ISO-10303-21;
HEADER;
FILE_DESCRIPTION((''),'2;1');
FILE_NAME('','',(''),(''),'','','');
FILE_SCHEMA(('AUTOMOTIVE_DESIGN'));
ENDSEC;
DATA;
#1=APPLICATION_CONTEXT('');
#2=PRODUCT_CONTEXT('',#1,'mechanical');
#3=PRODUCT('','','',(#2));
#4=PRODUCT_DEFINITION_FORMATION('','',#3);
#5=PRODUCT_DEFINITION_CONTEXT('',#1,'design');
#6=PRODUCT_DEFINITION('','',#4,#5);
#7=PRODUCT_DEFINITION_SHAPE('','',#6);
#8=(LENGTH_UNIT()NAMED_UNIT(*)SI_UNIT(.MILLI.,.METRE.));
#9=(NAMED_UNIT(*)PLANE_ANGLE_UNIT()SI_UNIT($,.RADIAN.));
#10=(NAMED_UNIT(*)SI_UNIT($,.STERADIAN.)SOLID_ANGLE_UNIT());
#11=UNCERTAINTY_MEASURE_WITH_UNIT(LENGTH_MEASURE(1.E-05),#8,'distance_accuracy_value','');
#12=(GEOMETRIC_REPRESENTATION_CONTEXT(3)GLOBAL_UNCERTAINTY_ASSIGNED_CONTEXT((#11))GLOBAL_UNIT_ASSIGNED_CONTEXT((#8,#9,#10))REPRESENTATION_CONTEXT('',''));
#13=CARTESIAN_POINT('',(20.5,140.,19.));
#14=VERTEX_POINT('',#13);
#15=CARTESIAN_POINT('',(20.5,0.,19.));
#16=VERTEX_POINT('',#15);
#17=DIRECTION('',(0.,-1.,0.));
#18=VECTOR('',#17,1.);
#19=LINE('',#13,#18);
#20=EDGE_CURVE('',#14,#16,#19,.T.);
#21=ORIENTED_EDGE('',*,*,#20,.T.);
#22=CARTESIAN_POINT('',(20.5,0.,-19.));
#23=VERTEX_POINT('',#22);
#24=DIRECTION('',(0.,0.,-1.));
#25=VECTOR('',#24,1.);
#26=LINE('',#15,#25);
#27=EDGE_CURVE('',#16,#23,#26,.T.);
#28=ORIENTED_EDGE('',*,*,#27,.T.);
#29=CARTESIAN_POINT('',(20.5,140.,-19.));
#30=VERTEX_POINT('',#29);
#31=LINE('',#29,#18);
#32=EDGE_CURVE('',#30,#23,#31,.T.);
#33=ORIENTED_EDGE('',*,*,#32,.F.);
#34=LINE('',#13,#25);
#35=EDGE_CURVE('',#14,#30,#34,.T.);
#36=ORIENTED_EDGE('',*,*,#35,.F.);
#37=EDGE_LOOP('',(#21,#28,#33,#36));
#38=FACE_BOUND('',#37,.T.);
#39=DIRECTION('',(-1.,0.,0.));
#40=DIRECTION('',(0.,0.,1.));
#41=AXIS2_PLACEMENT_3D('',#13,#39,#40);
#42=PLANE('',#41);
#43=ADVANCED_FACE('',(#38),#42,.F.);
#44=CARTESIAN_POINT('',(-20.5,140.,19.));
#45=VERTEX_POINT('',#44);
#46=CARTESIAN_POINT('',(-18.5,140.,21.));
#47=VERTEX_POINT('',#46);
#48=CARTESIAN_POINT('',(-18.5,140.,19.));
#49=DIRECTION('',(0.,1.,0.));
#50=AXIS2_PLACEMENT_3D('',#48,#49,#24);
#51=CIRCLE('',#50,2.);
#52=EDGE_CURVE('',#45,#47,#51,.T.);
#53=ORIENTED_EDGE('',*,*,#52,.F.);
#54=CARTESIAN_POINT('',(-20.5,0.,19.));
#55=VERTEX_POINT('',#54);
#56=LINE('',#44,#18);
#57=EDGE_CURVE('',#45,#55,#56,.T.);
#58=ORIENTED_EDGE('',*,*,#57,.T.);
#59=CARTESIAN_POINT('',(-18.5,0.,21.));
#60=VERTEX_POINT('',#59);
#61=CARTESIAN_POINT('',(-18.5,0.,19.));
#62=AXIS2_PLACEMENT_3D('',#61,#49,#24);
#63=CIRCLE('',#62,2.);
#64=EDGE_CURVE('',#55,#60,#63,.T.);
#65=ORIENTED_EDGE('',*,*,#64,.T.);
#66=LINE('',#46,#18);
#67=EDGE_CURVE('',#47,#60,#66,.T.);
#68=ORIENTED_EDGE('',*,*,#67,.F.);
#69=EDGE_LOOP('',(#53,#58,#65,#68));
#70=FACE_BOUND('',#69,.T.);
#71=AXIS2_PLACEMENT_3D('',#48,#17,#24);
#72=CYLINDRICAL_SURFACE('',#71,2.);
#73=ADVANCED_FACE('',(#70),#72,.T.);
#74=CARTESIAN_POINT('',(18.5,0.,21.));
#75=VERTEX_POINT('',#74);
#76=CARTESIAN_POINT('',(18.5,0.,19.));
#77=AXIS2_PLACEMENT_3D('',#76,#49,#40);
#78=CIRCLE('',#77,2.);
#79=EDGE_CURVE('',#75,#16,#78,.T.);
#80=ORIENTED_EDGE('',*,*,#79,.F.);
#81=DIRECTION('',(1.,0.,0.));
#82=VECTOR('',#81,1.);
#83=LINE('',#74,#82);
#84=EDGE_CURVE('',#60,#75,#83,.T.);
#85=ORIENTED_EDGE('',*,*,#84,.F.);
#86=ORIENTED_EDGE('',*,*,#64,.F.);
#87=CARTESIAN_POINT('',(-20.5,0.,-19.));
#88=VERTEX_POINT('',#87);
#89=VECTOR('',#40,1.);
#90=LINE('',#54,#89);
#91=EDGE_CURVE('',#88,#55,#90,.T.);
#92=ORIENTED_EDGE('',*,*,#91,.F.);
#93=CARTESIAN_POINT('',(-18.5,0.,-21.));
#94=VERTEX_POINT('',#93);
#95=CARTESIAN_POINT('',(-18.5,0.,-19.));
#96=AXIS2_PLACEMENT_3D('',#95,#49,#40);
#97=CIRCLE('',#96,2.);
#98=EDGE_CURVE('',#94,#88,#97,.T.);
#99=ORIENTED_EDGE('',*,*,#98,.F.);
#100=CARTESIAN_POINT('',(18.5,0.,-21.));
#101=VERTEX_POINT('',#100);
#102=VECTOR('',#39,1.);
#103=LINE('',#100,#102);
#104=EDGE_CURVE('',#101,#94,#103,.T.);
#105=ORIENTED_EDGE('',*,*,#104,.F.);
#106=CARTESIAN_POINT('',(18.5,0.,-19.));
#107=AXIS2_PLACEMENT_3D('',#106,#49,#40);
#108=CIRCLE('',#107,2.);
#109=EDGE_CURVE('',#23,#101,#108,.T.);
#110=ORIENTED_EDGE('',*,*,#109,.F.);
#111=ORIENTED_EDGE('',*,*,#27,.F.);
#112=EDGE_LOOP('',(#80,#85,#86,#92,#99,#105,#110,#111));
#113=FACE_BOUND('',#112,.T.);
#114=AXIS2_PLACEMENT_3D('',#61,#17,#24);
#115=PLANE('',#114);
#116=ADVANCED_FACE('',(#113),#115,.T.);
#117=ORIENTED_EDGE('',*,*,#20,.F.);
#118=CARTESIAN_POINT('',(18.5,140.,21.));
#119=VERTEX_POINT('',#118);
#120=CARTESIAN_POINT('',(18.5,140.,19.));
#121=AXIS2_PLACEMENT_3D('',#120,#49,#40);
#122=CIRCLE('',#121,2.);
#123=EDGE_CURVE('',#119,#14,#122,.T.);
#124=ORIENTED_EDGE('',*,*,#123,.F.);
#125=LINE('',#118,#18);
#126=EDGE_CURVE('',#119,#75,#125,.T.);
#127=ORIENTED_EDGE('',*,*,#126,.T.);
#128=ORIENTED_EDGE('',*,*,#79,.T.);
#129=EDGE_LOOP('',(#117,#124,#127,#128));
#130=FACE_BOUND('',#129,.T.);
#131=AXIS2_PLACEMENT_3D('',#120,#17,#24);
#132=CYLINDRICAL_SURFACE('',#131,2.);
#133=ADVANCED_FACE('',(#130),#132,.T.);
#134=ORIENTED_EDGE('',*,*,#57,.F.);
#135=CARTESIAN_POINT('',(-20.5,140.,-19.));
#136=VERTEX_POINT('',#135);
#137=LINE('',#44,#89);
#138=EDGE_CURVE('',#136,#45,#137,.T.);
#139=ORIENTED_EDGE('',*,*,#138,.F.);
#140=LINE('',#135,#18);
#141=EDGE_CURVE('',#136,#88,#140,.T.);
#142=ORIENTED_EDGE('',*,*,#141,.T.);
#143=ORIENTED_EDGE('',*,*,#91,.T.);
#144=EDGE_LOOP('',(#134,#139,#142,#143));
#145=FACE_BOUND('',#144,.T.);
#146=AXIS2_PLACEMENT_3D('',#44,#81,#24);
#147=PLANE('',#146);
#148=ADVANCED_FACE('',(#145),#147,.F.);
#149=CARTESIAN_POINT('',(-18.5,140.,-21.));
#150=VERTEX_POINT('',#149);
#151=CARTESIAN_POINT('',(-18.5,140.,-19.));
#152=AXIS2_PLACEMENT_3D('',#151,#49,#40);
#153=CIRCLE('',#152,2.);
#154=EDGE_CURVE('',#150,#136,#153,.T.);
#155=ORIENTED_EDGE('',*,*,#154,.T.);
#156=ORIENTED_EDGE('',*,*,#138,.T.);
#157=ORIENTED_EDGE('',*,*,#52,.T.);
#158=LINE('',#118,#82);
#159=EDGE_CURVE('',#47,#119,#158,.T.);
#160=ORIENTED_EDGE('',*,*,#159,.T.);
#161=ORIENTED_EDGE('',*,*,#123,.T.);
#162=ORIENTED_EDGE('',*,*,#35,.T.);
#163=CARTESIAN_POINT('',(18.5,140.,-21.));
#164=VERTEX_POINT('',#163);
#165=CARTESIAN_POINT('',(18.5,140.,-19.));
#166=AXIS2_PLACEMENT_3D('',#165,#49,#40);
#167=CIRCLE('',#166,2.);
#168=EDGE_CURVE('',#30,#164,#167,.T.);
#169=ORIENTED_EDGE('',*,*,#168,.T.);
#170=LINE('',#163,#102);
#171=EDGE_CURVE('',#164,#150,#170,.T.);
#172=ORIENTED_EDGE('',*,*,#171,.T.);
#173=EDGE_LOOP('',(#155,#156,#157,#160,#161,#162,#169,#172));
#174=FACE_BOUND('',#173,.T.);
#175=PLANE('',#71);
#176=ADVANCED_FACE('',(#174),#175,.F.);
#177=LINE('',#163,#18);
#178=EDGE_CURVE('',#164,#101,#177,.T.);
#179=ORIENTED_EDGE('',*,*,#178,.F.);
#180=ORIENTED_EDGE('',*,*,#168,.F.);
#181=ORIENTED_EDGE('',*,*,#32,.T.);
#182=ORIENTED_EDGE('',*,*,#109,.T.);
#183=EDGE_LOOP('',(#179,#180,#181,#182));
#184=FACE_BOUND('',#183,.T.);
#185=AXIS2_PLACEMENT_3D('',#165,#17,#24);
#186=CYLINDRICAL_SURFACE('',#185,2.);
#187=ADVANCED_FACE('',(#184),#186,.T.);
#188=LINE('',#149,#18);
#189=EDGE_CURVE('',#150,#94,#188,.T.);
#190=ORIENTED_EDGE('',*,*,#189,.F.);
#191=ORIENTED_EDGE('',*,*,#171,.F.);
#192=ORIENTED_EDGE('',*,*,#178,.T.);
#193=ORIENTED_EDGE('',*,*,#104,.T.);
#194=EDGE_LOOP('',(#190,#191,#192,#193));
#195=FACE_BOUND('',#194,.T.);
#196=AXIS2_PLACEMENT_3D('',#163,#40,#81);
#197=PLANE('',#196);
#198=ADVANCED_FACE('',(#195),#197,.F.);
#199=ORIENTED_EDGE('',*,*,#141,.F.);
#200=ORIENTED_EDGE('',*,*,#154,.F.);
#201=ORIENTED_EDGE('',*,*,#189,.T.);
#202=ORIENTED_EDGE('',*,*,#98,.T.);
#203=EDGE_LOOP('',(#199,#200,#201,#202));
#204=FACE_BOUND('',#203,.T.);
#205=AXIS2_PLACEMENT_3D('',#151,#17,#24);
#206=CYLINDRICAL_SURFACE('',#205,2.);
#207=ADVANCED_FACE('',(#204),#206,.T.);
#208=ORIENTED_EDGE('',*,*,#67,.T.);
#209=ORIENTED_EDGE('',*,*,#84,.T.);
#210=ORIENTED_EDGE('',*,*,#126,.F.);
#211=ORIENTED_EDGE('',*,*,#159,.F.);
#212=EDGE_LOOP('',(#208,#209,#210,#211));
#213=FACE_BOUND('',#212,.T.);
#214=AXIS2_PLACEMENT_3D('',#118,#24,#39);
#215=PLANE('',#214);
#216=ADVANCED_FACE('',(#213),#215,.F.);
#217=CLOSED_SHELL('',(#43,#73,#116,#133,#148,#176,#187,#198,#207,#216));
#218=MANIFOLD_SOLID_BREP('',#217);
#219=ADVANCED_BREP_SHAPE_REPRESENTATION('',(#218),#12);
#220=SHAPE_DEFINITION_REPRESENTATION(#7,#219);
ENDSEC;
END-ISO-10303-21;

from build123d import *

# Parameters (mm, degrees)
BOSS_EXTRUDE1_DEPTH = 140


with BuildPart() as part:
    # Sketch1 → Boss-Extrude1 (new body)
    with BuildSketch(Plane(origin=(0, 0, 0), x_dir=(1, 0, 0), z_dir=(0, 1, 0))):
        with BuildLine():
            Line((18.5, -21), (-18.5, -21))
            ThreePointArc((-18.5, -21), (-19.914213562, -20.414213562), (-20.5, -19))
            Line((-20.5, -19), (-20.5, 19))
            ThreePointArc((-20.5, 19), (-19.914213562, 20.414213562), (-18.5, 21))
            Line((-18.5, 21), (18.5, 21))
            ThreePointArc((18.5, 21), (19.914213562, 20.414213562), (20.5, 19))
            Line((20.5, 19), (20.5, -19))
            ThreePointArc((20.5, -19), (19.914213562, -20.414213562), (18.5, -21))
        make_face()
    extrude(amount=BOSS_EXTRUDE1_DEPTH)


solid = part.part
